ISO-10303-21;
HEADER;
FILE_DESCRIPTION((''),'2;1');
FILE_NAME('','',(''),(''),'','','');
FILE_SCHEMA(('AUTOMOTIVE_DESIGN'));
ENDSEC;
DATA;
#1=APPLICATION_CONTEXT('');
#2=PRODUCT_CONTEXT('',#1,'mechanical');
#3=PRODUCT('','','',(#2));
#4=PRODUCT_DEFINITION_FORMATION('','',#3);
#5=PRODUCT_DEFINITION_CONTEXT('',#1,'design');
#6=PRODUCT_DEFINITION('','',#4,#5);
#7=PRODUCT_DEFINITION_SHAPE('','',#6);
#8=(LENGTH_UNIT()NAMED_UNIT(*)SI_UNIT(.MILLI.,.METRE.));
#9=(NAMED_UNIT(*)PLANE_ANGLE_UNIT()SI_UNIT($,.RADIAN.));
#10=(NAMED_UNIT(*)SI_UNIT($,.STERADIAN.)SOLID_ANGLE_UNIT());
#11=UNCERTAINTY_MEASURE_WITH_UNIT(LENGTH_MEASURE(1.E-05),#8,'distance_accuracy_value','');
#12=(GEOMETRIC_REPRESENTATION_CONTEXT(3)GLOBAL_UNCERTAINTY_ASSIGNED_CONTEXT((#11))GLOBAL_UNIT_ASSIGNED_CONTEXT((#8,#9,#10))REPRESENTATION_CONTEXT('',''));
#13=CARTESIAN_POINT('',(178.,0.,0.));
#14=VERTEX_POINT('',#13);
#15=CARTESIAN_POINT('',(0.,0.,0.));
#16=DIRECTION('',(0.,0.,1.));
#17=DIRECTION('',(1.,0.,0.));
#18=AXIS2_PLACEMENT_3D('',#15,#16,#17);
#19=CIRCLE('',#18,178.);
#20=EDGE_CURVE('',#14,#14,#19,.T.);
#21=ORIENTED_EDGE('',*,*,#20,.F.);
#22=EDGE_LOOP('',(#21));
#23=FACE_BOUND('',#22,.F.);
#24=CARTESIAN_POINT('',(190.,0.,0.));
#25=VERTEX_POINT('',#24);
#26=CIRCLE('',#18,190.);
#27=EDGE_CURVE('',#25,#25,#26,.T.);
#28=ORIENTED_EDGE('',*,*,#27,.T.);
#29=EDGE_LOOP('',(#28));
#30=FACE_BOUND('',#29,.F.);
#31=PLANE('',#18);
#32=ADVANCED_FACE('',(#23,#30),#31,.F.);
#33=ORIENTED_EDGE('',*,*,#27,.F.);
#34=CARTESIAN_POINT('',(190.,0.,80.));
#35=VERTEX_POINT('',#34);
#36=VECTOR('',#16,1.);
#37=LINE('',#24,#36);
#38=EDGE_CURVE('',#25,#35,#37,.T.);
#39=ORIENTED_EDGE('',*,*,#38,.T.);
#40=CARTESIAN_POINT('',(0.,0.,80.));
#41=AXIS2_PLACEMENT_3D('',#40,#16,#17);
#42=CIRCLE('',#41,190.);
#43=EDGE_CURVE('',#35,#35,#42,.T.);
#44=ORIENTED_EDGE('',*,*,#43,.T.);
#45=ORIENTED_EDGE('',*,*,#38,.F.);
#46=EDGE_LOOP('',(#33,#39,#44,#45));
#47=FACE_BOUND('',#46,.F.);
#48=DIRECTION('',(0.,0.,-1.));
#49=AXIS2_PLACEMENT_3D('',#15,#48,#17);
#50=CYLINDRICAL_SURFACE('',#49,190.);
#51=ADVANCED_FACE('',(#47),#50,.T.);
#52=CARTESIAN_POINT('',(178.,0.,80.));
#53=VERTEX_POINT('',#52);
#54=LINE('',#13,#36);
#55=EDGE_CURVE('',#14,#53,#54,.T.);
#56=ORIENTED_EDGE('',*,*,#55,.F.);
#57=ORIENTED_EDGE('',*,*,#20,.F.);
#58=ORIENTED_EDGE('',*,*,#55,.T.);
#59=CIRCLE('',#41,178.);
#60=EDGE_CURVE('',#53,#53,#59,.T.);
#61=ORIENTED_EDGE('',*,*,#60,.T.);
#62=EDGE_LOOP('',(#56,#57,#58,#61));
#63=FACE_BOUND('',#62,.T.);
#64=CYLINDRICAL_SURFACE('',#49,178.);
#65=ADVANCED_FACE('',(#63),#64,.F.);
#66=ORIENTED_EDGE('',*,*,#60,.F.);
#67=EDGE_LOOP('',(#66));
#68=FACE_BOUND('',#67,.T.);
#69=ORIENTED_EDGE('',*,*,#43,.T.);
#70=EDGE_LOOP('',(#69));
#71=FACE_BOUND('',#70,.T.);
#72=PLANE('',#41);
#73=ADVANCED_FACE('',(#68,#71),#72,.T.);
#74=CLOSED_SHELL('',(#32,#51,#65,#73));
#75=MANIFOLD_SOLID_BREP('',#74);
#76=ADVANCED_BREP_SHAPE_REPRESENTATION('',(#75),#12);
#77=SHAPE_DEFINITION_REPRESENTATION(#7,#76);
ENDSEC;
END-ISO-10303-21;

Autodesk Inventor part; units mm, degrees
ref_plane "YZ Plane" through (0, 0, 0) normal (1, 0, 0) x (0, 1, 0)
ref_plane "XZ Plane" through (0, 0, 0) normal (0, 1, 0) x (-1, 0, 0)
ref_plane "XY Plane" through (0, 0, 0) normal (0, 0, 1) x (1, 0, 0)
sketch "Эскиз1" plane through (0, 0, 0) normal (0, 0, 1) x (1, 0, 0)
  circle A0 centre (0, 0) radius 178
  circle A1 centre (0, 0) radius 190
  dimension "d0" = 356
  dimension "d1" = 380
extrude "Выдавливание1" add sketch "Эскиз1" along normal blind 80
properties part number "Опорное кольцо_CPY" material "Нержавеющая сталь"
